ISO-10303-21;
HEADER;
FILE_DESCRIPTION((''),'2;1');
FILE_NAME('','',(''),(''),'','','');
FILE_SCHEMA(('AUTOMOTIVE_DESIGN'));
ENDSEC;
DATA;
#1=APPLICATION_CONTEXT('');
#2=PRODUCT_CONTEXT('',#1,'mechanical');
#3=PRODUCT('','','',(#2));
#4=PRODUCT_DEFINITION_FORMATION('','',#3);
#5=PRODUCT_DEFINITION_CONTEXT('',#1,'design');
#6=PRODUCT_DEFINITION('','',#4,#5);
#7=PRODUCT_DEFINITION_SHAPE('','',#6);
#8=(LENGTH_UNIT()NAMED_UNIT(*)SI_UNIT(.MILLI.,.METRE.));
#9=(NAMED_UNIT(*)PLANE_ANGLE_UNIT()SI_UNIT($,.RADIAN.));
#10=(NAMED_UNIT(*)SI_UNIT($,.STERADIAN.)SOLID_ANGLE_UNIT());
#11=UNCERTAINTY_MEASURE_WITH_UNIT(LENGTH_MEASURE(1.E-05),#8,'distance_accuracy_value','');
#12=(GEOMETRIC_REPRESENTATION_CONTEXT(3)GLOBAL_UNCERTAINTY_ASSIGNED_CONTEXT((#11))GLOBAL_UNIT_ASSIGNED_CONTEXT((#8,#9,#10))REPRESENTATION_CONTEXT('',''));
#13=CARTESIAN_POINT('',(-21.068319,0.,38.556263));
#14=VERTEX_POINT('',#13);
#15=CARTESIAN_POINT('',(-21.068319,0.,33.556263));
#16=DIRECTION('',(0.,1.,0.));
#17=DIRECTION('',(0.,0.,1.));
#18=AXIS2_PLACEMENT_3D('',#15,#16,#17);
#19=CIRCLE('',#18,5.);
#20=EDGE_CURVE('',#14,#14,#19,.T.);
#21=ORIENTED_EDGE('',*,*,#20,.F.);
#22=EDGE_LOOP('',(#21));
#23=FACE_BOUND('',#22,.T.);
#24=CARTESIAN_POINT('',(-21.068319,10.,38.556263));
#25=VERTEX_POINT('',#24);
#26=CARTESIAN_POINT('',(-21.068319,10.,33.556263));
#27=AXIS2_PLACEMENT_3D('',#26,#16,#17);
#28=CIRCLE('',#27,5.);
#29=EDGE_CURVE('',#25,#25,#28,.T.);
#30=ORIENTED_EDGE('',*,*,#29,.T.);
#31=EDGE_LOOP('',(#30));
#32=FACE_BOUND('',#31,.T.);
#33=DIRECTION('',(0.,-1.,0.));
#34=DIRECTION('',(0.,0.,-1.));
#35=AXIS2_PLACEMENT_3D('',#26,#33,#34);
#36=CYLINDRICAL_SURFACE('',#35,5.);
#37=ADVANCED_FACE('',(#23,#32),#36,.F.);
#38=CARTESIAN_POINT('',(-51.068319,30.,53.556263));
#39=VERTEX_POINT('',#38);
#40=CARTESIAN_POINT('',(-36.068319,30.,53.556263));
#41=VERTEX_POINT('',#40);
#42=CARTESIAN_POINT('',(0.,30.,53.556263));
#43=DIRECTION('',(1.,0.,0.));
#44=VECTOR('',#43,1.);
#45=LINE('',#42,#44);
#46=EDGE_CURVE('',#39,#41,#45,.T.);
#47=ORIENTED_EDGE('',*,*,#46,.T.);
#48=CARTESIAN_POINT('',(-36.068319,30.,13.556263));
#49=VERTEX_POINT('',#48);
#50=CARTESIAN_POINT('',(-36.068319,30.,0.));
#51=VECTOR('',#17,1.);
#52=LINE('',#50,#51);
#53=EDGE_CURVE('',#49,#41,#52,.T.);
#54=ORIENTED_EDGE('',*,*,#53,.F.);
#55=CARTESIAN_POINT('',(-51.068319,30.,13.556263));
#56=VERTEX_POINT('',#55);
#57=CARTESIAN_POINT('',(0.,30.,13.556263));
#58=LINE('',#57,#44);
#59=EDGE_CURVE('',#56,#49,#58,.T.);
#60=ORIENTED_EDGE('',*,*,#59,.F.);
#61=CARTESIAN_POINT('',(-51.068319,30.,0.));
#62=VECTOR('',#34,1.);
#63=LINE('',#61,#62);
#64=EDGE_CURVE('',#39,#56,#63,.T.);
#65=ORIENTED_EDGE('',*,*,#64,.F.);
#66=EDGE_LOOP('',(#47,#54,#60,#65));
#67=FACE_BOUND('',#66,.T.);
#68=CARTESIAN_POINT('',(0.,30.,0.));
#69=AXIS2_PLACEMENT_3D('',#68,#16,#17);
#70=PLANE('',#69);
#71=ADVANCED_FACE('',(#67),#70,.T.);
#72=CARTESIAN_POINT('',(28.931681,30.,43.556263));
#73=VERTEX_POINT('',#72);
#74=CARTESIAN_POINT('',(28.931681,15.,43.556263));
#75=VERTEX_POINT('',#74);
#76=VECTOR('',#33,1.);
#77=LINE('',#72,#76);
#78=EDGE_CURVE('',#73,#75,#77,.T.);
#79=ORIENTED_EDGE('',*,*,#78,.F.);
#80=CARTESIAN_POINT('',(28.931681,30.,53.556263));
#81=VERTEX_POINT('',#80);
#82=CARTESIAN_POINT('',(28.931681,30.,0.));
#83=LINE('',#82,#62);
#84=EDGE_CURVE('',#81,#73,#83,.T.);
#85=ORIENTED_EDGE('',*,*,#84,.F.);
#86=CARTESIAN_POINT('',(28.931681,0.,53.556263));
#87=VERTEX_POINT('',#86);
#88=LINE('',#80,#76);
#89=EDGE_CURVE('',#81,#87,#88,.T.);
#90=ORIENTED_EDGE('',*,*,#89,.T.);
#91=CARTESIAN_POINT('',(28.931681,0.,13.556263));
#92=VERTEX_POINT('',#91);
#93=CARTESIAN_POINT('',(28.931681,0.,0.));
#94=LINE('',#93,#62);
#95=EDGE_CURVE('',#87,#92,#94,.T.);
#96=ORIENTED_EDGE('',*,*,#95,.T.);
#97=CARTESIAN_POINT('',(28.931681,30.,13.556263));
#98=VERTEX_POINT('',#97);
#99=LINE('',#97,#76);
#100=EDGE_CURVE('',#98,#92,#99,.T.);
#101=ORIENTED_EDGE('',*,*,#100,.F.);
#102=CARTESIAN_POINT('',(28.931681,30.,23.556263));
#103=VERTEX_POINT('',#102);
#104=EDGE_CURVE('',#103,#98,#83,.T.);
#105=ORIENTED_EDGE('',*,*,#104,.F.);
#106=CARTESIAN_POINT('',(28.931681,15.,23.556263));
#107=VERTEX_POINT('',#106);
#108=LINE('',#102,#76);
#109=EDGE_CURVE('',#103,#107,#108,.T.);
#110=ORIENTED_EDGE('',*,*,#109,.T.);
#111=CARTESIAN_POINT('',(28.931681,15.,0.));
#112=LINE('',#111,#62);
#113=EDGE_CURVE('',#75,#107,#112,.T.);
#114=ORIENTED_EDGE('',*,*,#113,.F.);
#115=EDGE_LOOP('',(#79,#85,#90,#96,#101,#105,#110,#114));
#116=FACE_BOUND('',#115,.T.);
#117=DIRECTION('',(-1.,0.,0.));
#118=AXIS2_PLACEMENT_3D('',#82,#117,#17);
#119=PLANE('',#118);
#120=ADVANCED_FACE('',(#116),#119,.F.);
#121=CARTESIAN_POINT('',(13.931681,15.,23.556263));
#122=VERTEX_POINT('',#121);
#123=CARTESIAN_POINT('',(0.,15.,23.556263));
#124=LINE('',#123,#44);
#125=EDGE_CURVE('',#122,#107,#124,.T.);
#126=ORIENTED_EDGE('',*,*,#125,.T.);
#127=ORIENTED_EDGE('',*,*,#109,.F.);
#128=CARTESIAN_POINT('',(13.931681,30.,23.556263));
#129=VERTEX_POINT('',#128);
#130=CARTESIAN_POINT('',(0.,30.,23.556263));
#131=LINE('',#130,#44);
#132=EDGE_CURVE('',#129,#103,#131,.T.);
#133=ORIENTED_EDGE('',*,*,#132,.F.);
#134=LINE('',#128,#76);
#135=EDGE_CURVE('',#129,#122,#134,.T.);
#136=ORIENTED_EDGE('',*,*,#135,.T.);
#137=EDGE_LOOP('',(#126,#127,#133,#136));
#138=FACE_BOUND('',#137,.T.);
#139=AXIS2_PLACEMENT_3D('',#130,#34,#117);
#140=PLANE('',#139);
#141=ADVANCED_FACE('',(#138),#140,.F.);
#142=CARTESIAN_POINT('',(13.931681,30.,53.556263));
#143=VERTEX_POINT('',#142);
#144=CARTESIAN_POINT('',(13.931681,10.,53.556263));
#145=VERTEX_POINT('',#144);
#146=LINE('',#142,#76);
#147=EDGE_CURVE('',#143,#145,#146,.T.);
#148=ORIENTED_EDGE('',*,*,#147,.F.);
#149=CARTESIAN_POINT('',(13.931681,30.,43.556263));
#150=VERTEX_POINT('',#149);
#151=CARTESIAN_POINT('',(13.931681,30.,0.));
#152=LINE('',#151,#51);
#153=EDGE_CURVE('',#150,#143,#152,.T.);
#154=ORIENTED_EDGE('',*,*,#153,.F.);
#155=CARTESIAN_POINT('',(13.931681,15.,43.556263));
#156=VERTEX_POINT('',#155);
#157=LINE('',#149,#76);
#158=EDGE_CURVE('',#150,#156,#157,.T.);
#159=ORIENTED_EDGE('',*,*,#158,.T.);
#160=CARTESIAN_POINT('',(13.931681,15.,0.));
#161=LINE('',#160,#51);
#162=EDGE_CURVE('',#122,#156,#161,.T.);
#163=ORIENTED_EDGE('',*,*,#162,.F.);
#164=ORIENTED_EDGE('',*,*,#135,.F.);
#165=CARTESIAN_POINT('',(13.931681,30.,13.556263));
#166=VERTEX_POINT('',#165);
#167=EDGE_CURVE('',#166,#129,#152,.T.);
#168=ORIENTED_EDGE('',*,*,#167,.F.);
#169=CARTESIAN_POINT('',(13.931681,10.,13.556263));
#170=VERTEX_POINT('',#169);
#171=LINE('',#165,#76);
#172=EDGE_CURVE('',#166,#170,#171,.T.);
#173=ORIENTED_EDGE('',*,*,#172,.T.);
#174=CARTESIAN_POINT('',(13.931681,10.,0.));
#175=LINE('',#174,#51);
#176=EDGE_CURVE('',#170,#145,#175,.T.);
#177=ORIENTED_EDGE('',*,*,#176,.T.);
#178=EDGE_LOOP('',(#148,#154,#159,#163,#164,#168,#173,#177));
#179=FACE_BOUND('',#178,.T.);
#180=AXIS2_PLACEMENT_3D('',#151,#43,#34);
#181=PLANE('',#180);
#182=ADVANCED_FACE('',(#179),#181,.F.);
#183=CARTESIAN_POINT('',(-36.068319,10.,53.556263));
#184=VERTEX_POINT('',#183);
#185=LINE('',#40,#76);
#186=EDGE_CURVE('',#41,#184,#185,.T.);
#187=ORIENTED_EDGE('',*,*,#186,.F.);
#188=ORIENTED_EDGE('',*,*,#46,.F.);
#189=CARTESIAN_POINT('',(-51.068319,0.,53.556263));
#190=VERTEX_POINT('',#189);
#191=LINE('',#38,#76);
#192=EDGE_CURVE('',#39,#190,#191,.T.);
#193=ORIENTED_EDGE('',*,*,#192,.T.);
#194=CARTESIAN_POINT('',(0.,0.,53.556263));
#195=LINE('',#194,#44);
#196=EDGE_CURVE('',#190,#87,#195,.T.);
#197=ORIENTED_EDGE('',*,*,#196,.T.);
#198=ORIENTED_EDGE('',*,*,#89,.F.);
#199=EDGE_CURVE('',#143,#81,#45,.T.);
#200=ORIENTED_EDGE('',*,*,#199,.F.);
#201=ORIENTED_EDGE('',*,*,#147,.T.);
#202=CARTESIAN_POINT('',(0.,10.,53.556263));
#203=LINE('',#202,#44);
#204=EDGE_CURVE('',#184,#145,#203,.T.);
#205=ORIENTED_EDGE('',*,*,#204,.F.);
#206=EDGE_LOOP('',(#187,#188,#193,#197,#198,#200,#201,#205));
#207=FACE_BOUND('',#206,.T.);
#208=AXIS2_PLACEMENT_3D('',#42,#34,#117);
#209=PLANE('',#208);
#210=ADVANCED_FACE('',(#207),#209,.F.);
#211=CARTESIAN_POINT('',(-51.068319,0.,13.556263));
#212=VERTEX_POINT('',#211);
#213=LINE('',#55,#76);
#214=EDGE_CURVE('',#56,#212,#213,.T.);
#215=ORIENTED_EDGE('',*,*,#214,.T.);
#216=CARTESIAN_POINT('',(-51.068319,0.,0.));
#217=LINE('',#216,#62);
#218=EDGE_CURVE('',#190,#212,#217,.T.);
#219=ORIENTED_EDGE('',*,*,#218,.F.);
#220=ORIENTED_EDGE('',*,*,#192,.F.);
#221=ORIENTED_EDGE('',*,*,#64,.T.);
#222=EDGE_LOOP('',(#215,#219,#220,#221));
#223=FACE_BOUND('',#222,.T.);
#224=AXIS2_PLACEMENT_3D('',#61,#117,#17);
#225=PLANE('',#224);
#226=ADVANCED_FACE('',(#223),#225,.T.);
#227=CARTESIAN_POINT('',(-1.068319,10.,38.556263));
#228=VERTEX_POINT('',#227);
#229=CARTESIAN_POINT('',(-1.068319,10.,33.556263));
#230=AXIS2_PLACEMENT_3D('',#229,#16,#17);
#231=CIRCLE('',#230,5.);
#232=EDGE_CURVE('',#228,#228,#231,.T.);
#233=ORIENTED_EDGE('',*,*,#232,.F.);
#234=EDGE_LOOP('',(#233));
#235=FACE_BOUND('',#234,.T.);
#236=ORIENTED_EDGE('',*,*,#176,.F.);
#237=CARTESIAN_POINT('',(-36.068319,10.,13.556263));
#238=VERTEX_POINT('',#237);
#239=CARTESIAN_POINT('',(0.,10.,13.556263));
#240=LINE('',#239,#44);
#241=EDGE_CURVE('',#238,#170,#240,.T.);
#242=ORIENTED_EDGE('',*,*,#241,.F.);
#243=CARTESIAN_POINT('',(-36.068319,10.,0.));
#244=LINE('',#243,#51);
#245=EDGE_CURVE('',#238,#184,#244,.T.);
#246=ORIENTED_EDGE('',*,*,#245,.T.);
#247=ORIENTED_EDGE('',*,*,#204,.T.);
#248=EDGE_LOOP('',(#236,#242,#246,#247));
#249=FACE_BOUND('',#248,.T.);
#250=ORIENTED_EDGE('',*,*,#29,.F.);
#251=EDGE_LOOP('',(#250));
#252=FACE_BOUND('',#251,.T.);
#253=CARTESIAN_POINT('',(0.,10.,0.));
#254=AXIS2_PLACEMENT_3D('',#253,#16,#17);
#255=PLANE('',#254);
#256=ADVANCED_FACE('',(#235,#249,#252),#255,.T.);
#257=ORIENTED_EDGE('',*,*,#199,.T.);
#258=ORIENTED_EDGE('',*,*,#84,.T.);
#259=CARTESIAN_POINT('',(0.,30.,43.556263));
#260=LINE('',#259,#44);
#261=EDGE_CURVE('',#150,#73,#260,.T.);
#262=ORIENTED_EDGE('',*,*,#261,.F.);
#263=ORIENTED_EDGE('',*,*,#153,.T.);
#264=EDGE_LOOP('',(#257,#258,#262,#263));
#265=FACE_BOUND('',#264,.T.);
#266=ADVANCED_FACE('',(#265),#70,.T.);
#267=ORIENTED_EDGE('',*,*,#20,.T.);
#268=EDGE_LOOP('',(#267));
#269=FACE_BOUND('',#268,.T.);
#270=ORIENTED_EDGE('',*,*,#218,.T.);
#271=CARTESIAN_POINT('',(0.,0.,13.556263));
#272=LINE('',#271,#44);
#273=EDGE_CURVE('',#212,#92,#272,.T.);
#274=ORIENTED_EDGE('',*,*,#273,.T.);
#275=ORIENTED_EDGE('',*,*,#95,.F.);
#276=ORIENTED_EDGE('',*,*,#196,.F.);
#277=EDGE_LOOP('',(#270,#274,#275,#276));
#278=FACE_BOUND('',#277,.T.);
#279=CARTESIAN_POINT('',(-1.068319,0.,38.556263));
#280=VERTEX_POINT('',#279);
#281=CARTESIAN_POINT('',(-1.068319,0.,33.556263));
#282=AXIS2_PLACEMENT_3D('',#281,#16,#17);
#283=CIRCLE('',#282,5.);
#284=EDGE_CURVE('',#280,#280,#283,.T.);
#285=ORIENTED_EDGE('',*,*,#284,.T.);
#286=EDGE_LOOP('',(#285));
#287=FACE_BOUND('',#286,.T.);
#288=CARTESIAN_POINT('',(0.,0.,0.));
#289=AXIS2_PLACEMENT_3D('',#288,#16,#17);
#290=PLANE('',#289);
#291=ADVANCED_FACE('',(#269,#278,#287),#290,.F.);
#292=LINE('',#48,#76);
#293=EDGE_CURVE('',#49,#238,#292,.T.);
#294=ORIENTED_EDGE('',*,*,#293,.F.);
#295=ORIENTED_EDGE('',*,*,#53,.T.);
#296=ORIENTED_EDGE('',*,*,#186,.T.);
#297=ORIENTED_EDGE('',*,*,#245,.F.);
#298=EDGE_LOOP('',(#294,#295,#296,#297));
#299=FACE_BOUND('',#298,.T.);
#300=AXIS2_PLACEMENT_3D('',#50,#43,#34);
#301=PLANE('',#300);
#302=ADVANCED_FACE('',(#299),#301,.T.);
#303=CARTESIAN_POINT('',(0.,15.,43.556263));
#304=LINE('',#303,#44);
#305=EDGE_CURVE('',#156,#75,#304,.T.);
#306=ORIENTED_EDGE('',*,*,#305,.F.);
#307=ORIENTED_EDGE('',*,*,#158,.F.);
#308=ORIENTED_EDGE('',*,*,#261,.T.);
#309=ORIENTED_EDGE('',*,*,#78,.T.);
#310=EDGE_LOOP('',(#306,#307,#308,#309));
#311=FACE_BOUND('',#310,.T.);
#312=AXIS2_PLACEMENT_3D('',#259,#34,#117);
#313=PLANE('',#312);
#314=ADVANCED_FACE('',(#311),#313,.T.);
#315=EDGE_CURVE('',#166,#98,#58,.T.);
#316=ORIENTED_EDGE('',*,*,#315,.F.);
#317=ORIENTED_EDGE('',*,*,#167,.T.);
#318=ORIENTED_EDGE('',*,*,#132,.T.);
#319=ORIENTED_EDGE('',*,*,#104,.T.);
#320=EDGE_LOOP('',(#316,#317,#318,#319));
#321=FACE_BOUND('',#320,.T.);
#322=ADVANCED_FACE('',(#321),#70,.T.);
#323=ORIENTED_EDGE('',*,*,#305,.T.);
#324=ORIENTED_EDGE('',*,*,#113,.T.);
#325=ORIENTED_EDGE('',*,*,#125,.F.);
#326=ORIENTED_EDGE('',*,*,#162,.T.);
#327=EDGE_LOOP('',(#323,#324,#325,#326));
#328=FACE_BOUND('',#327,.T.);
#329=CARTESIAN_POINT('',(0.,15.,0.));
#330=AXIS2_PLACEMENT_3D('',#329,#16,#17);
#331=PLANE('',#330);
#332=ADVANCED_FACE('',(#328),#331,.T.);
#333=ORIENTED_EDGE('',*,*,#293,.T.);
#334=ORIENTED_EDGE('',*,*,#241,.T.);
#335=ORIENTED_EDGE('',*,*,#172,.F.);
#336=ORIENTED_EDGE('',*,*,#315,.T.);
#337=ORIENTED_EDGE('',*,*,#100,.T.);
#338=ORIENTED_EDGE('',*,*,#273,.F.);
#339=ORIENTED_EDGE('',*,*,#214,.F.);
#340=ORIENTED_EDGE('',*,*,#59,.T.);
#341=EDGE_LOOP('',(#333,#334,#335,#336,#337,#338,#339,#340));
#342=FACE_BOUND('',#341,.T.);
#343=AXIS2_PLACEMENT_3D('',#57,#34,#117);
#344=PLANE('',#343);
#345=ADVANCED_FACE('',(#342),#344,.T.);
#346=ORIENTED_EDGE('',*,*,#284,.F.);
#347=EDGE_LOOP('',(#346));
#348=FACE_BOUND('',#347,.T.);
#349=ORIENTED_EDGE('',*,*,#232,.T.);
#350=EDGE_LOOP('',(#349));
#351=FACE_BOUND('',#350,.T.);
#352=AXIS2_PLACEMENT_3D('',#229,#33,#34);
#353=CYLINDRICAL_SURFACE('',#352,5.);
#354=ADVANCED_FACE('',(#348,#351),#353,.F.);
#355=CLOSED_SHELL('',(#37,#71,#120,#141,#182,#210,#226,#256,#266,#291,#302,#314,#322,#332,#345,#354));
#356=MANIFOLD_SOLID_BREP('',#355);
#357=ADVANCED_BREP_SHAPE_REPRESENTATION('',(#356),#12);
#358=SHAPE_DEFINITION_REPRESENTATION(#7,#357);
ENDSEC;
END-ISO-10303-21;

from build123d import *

# Parameters (mm, degrees)
SKETCH_1_W        = 15
SKETCH_1_H        = 40
EXTRUDE_2_DEPTH   = 30
SKETCH_1_H_2      = 10
EXTRUDE_2_2_DEPTH = 30
EXTRUDE_2_3_DEPTH = 30
SKETCH_1_6_W      = 15
SKETCH_1_6_H      = 20
EXTRUDE_4_DEPTH   = 15
SKETCH_1_7_R      = 5
EXTRUDE_5_DEPTH   = 10


with BuildPart() as part:
    # 스케치1 → 보스-돌출2 (new body)
    with BuildSketch(Plane(origin=(0, 0, 0), x_dir=(1, 0, 0), z_dir=(0, 1, 0))):
        with Locations((-43.568318821, -33.556262559)):
            Rectangle(SKETCH_1_W, SKETCH_1_H)
    extrude(amount=EXTRUDE_2_DEPTH)



with BuildPart() as body_2:
    # 스케치1 → Extrude 2 2 (new body)
    with BuildSketch(Plane(origin=(0, 0, 0), x_dir=(1, 0, 0), z_dir=(0, 1, 0))):
        with Locations((21.431681179, -18.556262559)):
            Rectangle(SKETCH_1_W, SKETCH_1_H_2)
    extrude(amount=EXTRUDE_2_2_DEPTH)



with BuildPart() as body_3:
    # 스케치1 → Extrude 2 3 (new body)
    with BuildSketch(Plane(origin=(0, 0, 0), x_dir=(1, 0, 0), z_dir=(0, 1, 0))):
        with Locations((21.431681179, -48.556262559)):
            Rectangle(SKETCH_1_W, SKETCH_1_H_2)
    extrude(amount=EXTRUDE_2_3_DEPTH)


with BuildPart() as body_2_1:
    add(body_2.part)

    add(body_3.part)  # 보스-돌출4 merges body 3
    # 스케치1<6> → 보스-돌출4 (add)
    with BuildSketch(Plane(origin=(0, 0, 0), x_dir=(1, 0, 0), z_dir=(0, 1, 0))):
        with Locations((21.431681179, -33.556262559)):
            Rectangle(SKETCH_1_6_W, SKETCH_1_6_H)
    extrude(amount=EXTRUDE_4_DEPTH)


with BuildPart() as part_1:
    add(part.part)

    add(body_2_1.part)  # 보스-돌출5 merges body 2
    # 스케치1<7> → 보스-돌출5 (add)
    with BuildSketch(Plane(origin=(0, 0, 0), x_dir=(1, 0, 0), z_dir=(0, 1, 0))):
        Polygon((13.931681179, -13.556262559), (-36.068318821, -13.556262559), (-36.068318821, -53.556262559), (13.931681179, -53.556262559), (13.931681179, -43.556262559), (13.931681179, -23.556262559), align=None)
        with Locations((-21.068318821, -33.556262559)):
            Circle(SKETCH_1_7_R, mode=Mode.SUBTRACT)
        with Locations((-1.068318821, -33.556262559)):
            Circle(SKETCH_1_7_R, mode=Mode.SUBTRACT)
    extrude(amount=EXTRUDE_5_DEPTH)


solid = part_1.part
